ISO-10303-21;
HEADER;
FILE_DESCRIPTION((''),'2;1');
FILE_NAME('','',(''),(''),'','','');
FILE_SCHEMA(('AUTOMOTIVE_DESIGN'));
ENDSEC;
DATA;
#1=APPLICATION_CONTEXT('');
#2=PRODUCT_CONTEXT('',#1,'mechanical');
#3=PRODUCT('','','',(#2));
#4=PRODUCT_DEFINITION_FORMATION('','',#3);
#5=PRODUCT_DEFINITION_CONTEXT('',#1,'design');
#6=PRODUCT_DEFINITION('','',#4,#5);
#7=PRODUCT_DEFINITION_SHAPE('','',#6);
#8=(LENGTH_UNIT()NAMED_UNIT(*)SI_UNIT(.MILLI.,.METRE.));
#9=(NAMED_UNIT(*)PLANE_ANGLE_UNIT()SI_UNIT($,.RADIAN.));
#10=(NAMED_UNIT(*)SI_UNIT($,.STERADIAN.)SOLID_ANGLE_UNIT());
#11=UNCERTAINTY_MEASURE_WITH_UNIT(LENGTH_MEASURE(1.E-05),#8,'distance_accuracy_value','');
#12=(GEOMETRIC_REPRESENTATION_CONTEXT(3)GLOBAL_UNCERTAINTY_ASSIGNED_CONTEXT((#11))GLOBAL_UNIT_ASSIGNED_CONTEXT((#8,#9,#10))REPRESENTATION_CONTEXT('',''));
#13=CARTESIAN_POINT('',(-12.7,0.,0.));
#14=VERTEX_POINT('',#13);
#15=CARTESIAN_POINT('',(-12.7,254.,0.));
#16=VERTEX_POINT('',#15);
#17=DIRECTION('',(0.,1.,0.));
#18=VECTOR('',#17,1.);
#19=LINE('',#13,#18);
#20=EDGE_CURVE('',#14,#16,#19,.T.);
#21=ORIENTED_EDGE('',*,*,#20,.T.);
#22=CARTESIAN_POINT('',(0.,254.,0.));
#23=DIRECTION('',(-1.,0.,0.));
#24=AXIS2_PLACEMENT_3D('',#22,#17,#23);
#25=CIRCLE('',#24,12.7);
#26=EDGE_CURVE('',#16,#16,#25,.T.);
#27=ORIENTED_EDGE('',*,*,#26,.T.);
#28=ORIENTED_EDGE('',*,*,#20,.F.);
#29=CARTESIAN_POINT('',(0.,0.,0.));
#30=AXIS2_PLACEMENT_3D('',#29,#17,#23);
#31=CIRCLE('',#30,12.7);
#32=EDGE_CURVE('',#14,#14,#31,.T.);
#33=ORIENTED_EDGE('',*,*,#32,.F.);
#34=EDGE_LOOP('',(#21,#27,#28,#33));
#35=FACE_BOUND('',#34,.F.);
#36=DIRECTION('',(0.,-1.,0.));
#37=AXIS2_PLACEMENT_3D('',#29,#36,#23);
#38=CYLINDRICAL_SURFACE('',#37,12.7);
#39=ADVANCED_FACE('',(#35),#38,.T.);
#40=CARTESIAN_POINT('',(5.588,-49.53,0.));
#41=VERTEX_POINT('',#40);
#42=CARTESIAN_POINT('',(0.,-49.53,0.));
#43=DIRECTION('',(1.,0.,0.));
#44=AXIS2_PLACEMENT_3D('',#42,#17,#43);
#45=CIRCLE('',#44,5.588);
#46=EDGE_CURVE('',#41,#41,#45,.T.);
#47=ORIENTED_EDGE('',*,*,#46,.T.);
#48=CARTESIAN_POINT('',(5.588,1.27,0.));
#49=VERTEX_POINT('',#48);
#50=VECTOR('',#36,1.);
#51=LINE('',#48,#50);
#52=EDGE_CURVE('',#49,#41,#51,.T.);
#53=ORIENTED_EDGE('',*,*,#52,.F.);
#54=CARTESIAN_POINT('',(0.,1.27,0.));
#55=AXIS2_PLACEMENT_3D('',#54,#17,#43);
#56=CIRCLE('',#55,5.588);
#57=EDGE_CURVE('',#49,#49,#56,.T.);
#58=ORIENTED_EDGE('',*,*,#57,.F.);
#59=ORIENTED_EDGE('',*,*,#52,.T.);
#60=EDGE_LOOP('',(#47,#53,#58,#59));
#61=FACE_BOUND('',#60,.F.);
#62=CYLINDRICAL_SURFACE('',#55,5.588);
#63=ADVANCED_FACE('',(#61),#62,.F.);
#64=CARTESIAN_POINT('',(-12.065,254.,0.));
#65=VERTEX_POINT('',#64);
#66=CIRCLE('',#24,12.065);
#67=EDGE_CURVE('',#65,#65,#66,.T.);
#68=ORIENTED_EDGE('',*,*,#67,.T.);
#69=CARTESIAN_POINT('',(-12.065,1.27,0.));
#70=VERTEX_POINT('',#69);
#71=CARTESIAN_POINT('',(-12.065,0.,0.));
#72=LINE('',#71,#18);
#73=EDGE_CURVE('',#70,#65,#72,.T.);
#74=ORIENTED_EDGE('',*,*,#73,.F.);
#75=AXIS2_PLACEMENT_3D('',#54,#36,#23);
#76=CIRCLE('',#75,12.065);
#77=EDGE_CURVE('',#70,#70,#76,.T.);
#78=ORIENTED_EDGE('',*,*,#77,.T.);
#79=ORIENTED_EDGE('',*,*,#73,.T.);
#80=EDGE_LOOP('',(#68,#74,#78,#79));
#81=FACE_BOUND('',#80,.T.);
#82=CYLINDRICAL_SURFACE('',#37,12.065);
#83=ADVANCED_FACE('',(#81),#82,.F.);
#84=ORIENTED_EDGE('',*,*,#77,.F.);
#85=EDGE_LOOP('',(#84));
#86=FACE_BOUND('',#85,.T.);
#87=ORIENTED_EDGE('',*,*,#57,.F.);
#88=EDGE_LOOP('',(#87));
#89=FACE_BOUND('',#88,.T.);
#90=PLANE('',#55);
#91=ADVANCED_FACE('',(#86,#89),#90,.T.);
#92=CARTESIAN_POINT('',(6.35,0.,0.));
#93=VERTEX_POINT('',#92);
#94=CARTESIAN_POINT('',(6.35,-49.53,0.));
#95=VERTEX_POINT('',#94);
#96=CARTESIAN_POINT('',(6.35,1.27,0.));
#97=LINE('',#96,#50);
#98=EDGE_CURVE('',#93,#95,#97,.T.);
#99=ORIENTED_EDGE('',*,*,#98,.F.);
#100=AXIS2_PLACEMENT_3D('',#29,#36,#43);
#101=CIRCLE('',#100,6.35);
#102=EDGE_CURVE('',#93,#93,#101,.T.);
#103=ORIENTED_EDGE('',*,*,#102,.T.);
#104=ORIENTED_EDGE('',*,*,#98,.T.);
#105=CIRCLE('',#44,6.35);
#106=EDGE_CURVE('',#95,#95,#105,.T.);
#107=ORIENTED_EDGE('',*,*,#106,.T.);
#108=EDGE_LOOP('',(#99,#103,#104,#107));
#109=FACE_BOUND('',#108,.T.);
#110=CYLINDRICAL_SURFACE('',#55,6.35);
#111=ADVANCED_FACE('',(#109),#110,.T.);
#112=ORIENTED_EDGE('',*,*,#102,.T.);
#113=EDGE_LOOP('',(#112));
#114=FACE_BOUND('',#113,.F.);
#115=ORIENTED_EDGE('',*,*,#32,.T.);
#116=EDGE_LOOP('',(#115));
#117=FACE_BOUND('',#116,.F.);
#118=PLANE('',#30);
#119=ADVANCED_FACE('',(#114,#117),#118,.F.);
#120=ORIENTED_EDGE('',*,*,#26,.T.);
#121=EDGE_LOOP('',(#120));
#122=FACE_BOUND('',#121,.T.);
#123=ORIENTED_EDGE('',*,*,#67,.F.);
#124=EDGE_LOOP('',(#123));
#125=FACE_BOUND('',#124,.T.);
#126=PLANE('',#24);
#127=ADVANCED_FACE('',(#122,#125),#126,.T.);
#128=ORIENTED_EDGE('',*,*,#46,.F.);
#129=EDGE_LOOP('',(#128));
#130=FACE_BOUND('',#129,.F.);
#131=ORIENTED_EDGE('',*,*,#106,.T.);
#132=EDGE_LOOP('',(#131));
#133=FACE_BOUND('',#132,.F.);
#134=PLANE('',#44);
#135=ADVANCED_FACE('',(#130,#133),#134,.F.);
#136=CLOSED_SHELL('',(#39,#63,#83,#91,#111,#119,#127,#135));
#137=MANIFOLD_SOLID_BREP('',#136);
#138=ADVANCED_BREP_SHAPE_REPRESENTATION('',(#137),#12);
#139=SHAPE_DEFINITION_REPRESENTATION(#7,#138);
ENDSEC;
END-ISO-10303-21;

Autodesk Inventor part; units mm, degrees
ref_plane "YZ Plane" through (0, 0, 0) normal (1, 0, 0) x (0, 1, 0)
ref_plane "XZ Plane" through (0, 0, 0) normal (0, 1, 0) x (-1, 0, 0)
ref_plane "XY Plane" through (0, 0, 0) normal (0, 0, 1) x (1, 0, 0)
sketch "Sketch1" plane through (0, 0, 0) normal (0, 1, 0) x (-1, 0, 0)
  circle A0 centre (0, 0) radius 12.7
  circle A1 centre (0, 0) radius 12.065
  dimension "d0" = 25.4
  dimension "d1" = 24.13
extrude "Extrusion1" add sketch "Sketch1" along normal blind 254
sketch "Sketch2" plane through (0, 0, 0) normal (0, -1, 0) x (1, 0, 0)
  circle A0 centre (0, 0) radius 12.065
  circle A1 centre (0, 0) radius 12.065 projected
  circle A2 centre (0, 0) radius 6.35
  dimension "d4" = 12.7
extrude "Extrusion2" add sketch "Sketch2" against normal blind 1.27
sketch "Sketch3" plane through (0, 1.27, 0) normal (0, 1, 0) x (1, 0, 0)
  circle A0 centre (0, 0) radius 6.35
  circle A1 centre (0, 0) radius 5.588
  dimension "d7" = 12.7
  dimension "d8" = 11.176
extrude "Extrusion3" add sketch "Sketch3" against normal blind 50.8
properties part number "1in ss pipe" material "Stainless Steel"
